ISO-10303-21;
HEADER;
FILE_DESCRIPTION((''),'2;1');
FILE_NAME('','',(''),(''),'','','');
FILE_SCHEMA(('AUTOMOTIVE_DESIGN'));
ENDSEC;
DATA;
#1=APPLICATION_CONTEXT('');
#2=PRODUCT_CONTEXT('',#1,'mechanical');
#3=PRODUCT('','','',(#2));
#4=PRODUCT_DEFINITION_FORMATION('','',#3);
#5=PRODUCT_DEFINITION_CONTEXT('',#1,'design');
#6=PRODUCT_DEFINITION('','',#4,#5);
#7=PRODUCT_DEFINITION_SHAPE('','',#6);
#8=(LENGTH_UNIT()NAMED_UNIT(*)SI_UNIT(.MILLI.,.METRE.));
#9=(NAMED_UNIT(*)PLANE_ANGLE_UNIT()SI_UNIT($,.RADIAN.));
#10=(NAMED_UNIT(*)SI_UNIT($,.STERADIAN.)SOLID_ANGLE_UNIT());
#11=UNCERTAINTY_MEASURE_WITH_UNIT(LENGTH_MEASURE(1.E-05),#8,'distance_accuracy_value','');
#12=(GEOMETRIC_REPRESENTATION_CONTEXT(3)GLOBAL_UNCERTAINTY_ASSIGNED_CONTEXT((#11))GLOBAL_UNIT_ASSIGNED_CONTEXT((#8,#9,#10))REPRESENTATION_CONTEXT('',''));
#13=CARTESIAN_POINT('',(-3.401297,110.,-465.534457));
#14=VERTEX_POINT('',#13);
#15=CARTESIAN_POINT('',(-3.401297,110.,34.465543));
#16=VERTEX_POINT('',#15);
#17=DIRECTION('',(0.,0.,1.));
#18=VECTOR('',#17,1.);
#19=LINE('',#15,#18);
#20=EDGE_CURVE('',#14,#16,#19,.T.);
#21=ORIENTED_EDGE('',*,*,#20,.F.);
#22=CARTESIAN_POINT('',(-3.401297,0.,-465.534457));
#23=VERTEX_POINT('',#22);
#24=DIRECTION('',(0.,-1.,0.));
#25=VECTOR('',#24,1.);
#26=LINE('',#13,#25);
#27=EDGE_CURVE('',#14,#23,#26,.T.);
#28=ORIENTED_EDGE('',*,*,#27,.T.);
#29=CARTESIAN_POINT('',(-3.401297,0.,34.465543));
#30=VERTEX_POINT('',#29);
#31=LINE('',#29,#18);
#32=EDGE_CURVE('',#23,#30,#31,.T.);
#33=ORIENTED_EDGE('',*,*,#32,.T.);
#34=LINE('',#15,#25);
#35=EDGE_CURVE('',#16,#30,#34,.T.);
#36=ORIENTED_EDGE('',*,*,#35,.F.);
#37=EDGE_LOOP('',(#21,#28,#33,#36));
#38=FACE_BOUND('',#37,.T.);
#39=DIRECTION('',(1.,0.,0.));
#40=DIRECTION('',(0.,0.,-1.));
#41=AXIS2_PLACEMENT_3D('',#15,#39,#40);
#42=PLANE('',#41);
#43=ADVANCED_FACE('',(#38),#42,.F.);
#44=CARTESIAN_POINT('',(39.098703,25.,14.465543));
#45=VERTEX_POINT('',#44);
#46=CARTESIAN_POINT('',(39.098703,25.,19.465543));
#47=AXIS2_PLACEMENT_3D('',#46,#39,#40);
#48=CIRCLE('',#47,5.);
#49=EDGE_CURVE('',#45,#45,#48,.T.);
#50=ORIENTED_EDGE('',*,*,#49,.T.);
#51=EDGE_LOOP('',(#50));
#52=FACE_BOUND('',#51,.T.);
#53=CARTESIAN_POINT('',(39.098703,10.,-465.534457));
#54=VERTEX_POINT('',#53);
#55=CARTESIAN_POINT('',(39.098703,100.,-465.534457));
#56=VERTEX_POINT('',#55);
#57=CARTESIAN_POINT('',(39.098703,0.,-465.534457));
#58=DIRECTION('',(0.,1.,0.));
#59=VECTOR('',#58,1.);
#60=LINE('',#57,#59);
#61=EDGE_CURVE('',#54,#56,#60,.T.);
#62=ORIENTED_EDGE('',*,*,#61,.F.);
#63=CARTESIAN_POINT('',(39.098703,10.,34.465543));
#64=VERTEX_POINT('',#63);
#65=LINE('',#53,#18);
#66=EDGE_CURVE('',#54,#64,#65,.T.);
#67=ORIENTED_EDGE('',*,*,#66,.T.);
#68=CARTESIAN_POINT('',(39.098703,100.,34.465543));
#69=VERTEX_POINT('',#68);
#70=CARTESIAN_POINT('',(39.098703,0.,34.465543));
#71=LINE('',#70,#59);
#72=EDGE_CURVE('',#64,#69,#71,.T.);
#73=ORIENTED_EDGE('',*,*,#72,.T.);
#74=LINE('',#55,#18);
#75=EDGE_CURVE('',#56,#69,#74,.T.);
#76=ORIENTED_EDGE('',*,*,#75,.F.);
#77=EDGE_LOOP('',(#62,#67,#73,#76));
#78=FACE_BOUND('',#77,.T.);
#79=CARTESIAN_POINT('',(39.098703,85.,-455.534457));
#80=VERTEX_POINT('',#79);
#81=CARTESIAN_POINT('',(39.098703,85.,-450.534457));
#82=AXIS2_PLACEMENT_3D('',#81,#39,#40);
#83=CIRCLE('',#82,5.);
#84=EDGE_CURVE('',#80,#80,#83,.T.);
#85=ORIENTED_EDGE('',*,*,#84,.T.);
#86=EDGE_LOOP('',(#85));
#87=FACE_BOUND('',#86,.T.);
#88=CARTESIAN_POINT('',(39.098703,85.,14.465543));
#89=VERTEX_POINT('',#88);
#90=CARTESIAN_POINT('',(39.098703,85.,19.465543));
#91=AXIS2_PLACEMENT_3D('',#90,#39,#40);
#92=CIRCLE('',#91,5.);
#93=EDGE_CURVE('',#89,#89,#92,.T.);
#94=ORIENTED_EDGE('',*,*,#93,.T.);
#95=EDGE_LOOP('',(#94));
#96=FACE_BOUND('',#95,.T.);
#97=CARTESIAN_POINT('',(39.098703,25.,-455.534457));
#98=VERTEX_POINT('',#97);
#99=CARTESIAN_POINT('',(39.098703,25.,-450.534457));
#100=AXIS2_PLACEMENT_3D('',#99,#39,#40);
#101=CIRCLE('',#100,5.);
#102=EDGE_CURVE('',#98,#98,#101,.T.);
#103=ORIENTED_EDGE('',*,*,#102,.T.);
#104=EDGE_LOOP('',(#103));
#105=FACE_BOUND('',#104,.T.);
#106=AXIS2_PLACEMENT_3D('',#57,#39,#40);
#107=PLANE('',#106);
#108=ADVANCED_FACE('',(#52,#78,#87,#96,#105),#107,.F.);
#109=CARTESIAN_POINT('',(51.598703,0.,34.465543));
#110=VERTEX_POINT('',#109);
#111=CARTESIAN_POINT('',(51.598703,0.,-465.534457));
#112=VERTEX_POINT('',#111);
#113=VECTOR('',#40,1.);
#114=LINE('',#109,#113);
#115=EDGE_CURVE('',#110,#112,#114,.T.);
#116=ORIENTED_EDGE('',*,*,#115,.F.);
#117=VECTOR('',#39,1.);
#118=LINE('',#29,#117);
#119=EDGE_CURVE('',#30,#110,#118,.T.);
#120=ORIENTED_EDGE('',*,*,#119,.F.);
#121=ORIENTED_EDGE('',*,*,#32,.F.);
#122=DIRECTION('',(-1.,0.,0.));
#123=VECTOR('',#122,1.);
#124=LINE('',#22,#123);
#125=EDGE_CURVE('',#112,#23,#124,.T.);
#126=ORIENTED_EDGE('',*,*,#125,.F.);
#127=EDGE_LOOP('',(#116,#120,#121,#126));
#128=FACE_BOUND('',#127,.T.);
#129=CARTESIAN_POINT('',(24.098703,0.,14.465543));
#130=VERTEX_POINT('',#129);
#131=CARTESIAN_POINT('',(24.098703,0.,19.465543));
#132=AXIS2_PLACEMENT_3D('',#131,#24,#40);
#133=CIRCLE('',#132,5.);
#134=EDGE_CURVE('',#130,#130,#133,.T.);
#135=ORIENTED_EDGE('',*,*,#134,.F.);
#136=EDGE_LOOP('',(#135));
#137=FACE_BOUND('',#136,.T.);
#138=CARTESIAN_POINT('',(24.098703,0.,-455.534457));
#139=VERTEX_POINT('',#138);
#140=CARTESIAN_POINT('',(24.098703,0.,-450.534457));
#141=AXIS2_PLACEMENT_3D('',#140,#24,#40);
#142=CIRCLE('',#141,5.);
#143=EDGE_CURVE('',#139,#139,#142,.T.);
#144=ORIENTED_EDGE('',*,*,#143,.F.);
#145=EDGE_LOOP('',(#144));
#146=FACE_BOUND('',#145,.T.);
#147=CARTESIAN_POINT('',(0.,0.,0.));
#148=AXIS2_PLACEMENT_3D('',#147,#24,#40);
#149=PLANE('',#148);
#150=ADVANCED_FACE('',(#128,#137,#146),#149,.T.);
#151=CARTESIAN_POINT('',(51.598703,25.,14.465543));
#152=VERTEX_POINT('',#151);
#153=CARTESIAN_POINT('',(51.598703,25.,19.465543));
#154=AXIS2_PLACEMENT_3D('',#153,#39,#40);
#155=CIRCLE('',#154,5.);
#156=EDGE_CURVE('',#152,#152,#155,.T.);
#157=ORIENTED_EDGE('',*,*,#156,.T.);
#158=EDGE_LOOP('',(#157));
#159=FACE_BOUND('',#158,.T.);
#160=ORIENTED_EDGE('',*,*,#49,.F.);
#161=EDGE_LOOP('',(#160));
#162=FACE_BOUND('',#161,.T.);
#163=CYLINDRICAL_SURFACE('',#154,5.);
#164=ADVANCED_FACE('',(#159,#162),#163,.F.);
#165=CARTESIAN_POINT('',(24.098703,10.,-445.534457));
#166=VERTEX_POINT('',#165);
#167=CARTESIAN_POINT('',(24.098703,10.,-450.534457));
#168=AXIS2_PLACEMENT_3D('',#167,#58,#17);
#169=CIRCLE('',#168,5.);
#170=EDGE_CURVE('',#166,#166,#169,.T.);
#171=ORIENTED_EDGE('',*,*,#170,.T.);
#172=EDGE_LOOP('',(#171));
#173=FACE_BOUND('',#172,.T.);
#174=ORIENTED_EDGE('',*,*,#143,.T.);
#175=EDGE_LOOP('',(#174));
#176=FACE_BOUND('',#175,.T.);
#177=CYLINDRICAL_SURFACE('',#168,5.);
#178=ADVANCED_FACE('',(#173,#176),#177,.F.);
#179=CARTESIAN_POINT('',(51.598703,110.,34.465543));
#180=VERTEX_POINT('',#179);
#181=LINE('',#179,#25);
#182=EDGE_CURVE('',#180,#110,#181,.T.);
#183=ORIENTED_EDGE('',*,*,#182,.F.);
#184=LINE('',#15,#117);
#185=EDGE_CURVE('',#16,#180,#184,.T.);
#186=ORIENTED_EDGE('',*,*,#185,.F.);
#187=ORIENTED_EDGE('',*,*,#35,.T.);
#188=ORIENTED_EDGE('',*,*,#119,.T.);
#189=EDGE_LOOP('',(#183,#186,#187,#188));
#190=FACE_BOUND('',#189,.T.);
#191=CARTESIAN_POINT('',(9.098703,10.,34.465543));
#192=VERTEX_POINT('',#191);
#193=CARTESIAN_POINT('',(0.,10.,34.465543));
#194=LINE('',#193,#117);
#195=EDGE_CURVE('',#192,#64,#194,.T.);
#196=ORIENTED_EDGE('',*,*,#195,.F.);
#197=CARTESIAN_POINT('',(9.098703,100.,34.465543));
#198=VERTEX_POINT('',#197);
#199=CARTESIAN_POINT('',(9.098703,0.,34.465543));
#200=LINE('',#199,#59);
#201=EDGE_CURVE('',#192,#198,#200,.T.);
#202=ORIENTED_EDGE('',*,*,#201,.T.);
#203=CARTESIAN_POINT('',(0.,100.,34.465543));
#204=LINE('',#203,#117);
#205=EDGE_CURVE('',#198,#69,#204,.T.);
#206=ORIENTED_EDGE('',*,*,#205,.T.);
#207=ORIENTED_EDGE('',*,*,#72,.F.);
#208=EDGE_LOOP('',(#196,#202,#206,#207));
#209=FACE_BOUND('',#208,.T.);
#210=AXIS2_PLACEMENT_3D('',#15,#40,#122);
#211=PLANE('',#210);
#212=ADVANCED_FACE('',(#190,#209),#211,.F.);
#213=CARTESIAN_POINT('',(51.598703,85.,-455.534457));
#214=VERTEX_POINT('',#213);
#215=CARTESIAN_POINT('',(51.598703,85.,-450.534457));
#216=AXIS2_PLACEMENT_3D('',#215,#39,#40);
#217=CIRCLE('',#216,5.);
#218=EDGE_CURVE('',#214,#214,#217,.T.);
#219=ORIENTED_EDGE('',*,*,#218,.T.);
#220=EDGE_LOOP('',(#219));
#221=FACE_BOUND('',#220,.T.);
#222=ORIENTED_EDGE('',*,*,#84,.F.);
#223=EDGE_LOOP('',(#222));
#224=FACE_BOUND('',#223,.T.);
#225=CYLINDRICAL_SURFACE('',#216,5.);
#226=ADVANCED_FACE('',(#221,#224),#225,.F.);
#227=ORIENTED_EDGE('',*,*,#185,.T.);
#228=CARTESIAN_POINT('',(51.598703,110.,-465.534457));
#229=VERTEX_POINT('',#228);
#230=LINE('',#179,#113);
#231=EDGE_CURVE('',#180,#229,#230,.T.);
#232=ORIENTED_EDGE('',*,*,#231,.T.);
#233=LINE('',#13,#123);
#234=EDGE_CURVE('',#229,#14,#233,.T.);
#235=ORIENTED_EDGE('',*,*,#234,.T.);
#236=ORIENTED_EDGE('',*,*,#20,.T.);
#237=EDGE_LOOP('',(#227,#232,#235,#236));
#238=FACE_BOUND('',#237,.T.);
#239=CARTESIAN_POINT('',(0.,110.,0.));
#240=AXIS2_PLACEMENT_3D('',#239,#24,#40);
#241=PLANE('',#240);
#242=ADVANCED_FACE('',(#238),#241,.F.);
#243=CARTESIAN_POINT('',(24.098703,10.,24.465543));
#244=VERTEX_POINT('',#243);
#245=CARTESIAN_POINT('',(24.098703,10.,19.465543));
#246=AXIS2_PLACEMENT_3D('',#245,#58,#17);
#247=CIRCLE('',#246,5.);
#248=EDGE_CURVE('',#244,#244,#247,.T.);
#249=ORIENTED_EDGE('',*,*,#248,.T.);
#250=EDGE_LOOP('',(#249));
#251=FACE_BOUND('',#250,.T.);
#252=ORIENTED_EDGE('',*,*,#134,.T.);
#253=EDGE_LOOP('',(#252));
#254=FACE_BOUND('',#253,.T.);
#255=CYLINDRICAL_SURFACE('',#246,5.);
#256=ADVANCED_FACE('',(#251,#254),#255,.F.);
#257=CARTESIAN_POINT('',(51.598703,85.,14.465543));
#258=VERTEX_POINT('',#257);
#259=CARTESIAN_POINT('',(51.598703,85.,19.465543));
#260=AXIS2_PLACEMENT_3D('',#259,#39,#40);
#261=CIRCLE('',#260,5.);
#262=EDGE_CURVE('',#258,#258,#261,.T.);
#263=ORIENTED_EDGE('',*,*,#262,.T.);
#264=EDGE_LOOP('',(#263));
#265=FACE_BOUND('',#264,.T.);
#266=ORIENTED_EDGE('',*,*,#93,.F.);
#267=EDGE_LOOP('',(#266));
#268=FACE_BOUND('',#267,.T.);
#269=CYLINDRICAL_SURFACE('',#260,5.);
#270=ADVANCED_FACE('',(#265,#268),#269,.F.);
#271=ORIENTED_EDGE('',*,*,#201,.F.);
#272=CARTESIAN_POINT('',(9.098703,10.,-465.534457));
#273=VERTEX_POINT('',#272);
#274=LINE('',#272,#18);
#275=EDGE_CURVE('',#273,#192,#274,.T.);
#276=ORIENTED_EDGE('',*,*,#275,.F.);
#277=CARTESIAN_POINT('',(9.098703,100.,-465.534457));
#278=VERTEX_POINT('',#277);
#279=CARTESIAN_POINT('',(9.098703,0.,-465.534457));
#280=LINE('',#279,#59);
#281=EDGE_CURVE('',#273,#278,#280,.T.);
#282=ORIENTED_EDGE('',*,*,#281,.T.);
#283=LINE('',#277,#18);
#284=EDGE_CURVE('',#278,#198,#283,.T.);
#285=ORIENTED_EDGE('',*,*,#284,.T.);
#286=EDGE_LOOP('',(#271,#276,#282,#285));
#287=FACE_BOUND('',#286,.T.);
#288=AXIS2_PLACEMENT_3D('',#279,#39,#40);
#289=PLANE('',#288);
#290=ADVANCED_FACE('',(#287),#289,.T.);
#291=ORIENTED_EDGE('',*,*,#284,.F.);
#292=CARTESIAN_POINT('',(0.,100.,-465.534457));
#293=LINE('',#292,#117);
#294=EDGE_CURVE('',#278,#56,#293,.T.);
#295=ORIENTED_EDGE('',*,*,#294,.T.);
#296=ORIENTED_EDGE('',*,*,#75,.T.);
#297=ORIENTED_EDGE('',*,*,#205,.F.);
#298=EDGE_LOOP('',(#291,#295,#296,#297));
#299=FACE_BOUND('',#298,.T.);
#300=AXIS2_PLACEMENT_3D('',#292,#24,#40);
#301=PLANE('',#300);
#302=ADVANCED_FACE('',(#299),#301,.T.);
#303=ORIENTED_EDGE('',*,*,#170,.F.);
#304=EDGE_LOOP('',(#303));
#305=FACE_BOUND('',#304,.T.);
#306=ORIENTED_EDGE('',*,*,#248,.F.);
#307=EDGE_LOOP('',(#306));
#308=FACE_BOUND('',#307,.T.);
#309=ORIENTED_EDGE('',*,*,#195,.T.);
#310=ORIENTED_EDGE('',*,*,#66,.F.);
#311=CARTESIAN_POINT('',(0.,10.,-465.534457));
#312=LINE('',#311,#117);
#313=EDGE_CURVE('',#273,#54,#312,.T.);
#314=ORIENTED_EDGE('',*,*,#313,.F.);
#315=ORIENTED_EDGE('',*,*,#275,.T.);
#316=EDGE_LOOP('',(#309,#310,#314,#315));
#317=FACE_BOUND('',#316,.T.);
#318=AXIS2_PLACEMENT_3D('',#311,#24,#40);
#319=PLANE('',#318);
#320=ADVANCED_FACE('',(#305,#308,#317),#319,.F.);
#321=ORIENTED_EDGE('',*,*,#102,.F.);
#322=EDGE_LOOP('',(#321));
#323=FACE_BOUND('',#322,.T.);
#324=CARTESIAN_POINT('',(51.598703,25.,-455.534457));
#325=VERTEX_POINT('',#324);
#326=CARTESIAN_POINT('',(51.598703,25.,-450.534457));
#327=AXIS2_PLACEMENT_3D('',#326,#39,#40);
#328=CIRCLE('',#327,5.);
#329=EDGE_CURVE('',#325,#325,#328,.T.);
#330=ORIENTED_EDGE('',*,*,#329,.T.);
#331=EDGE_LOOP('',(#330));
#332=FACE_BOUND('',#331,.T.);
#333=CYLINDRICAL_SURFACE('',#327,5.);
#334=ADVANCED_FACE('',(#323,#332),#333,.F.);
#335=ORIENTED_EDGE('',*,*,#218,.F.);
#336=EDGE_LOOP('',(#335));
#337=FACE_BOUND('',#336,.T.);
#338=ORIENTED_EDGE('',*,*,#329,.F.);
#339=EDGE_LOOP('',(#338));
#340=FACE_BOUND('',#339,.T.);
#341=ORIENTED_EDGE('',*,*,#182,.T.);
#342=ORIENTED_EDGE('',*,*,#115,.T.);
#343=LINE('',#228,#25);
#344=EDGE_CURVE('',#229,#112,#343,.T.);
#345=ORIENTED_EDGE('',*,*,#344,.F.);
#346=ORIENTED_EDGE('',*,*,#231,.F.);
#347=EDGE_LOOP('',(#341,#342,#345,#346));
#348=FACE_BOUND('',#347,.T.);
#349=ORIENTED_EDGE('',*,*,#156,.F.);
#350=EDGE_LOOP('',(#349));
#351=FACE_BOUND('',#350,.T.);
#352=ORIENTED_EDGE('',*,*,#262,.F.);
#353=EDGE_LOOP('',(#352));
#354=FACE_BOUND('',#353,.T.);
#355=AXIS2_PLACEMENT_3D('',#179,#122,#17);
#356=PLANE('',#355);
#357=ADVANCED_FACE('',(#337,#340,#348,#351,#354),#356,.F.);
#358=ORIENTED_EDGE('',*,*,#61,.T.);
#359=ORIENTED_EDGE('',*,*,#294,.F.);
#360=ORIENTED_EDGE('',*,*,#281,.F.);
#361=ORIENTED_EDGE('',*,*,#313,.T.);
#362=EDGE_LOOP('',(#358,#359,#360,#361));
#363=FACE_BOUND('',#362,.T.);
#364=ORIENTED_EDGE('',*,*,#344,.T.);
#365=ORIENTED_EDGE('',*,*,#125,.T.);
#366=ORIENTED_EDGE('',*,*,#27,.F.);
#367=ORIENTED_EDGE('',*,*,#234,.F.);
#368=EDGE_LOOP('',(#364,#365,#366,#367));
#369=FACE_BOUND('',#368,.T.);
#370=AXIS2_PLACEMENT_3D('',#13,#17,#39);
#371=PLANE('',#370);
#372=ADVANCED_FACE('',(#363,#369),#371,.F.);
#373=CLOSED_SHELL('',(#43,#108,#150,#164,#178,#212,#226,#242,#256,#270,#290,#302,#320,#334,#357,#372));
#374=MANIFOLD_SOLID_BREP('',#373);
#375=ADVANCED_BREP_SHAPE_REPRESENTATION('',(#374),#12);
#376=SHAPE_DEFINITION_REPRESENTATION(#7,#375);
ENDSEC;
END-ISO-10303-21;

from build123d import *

# Parameters (mm, degrees)
SKETCH1_W                                  = 55
SKETCH1_H                                  = 500
BOSS_EXTRUDE1_DEPTH                        = 110
SKETCH2_W                                  = 15
SKETCH2_H                                  = 45
CUT_EXTRUDE1_DEPTH                         = 500
M10X1_0_TAPPED_HOLE1_D                     = 9
M10X1_0_TAPPED_HOLE1_DEPTH                 = 23
M10X1_0_TAPPED_HOLE1_CBORE_D               = 10
M10X1_0_TAPPED_HOLE1_CBORE_DEPTH           = 20
M10X1_0_TAPPED_HOLE1_TIP                   = 2.703872786
M10X1_0_TAPPED_HOLE2_D                     = 9
M10X1_0_TAPPED_HOLE2_DEPTH                 = 23
M10X1_0_TAPPED_HOLE2_CBORE_D               = 10
M10X1_0_TAPPED_HOLE2_CBORE_DEPTH           = 20
M10X1_0_TAPPED_HOLE2_TIP                   = 2.703872786
M10X1_0_TAPPED_HOLE2_ON_FACE_2_D           = 9
M10X1_0_TAPPED_HOLE2_ON_FACE_2_DEPTH       = 23
M10X1_0_TAPPED_HOLE2_ON_FACE_2_CBORE_D     = 10
M10X1_0_TAPPED_HOLE2_ON_FACE_2_CBORE_DEPTH = 20
M10X1_0_TAPPED_HOLE2_ON_FACE_2_TIP         = 2.703872786


with BuildPart() as part:
    # Sketch1 → Boss-Extrude1 (new body)
    with BuildSketch(Plane(origin=(0, 0, 0), x_dir=(1, 0, 0), z_dir=(0, 1, 0))):
        with Locations((24.098703387, 215.534456811)):
            Rectangle(SKETCH1_W, SKETCH1_H)
    extrude(amount=BOSS_EXTRUDE1_DEPTH)

    # Sketch2 → Cut-Extrude1 (cut)
    with BuildSketch(Plane.XY.offset(34.465543189)):
        with Locations((16.598703387, 77.5)):
            Rectangle(SKETCH2_W, SKETCH2_H)
        with Locations((31.598703387, 77.5)):
            Rectangle(SKETCH2_W, SKETCH2_H)
        with Locations((31.598703387, 32.5)):
            Rectangle(SKETCH2_W, SKETCH2_H)
        with Locations((16.598703387, 32.5)):
            Rectangle(SKETCH2_W, SKETCH2_H)
    extrude(amount=-CUT_EXTRUDE1_DEPTH, mode=Mode.SUBTRACT)

    # M10x1.0 Tapped Hole1
    with Locations(Plane(origin=(0, 10, 0), x_dir=(1, 0, 0), z_dir=(0, 1, 0))):
        with Locations((24.098703387, 450.534456811), (24.098703387, -19.465543189)):
            CounterBoreHole(M10X1_0_TAPPED_HOLE1_D / 2, M10X1_0_TAPPED_HOLE1_CBORE_D / 2, M10X1_0_TAPPED_HOLE1_CBORE_DEPTH, depth=M10X1_0_TAPPED_HOLE1_DEPTH)
            with Locations((0, 0, -(M10X1_0_TAPPED_HOLE1_DEPTH + M10X1_0_TAPPED_HOLE1_TIP / 2))):  # 118° drill point
                Cone(0, M10X1_0_TAPPED_HOLE1_D / 2, M10X1_0_TAPPED_HOLE1_TIP, mode=Mode.SUBTRACT)

    # M10x1.0 Tapped Hole2
    with Locations(Plane(origin=(51.598703387, 85, -450.534456811), x_dir=(0, 0, 1), z_dir=(1, 0, 0))):
        with Locations((0, 0), (0, 60), (470, 0), (470, 60)):
            CounterBoreHole(M10X1_0_TAPPED_HOLE2_D / 2, M10X1_0_TAPPED_HOLE2_CBORE_D / 2, M10X1_0_TAPPED_HOLE2_CBORE_DEPTH, depth=M10X1_0_TAPPED_HOLE2_DEPTH)
            with Locations((0, 0, -(M10X1_0_TAPPED_HOLE2_DEPTH + M10X1_0_TAPPED_HOLE2_TIP / 2))):  # 118° drill point
                Cone(0, M10X1_0_TAPPED_HOLE2_D / 2, M10X1_0_TAPPED_HOLE2_TIP, mode=Mode.SUBTRACT)

    # M10x1.0 Tapped Hole2 on face 2
    with Locations(Plane(origin=(233.947763792, 74.109982143, 0), x_dir=(0, 0, 1), z_dir=(1, 0, 0))):
        with Locations((0, 0)):
            CounterBoreHole(M10X1_0_TAPPED_HOLE2_ON_FACE_2_D / 2, M10X1_0_TAPPED_HOLE2_ON_FACE_2_CBORE_D / 2, M10X1_0_TAPPED_HOLE2_ON_FACE_2_CBORE_DEPTH, depth=M10X1_0_TAPPED_HOLE2_ON_FACE_2_DEPTH)
            with Locations((0, 0, -(M10X1_0_TAPPED_HOLE2_ON_FACE_2_DEPTH + M10X1_0_TAPPED_HOLE2_ON_FACE_2_TIP / 2))):  # 118° drill point
                Cone(0, M10X1_0_TAPPED_HOLE2_ON_FACE_2_D / 2, M10X1_0_TAPPED_HOLE2_ON_FACE_2_TIP, mode=Mode.SUBTRACT)


solid = part.part
